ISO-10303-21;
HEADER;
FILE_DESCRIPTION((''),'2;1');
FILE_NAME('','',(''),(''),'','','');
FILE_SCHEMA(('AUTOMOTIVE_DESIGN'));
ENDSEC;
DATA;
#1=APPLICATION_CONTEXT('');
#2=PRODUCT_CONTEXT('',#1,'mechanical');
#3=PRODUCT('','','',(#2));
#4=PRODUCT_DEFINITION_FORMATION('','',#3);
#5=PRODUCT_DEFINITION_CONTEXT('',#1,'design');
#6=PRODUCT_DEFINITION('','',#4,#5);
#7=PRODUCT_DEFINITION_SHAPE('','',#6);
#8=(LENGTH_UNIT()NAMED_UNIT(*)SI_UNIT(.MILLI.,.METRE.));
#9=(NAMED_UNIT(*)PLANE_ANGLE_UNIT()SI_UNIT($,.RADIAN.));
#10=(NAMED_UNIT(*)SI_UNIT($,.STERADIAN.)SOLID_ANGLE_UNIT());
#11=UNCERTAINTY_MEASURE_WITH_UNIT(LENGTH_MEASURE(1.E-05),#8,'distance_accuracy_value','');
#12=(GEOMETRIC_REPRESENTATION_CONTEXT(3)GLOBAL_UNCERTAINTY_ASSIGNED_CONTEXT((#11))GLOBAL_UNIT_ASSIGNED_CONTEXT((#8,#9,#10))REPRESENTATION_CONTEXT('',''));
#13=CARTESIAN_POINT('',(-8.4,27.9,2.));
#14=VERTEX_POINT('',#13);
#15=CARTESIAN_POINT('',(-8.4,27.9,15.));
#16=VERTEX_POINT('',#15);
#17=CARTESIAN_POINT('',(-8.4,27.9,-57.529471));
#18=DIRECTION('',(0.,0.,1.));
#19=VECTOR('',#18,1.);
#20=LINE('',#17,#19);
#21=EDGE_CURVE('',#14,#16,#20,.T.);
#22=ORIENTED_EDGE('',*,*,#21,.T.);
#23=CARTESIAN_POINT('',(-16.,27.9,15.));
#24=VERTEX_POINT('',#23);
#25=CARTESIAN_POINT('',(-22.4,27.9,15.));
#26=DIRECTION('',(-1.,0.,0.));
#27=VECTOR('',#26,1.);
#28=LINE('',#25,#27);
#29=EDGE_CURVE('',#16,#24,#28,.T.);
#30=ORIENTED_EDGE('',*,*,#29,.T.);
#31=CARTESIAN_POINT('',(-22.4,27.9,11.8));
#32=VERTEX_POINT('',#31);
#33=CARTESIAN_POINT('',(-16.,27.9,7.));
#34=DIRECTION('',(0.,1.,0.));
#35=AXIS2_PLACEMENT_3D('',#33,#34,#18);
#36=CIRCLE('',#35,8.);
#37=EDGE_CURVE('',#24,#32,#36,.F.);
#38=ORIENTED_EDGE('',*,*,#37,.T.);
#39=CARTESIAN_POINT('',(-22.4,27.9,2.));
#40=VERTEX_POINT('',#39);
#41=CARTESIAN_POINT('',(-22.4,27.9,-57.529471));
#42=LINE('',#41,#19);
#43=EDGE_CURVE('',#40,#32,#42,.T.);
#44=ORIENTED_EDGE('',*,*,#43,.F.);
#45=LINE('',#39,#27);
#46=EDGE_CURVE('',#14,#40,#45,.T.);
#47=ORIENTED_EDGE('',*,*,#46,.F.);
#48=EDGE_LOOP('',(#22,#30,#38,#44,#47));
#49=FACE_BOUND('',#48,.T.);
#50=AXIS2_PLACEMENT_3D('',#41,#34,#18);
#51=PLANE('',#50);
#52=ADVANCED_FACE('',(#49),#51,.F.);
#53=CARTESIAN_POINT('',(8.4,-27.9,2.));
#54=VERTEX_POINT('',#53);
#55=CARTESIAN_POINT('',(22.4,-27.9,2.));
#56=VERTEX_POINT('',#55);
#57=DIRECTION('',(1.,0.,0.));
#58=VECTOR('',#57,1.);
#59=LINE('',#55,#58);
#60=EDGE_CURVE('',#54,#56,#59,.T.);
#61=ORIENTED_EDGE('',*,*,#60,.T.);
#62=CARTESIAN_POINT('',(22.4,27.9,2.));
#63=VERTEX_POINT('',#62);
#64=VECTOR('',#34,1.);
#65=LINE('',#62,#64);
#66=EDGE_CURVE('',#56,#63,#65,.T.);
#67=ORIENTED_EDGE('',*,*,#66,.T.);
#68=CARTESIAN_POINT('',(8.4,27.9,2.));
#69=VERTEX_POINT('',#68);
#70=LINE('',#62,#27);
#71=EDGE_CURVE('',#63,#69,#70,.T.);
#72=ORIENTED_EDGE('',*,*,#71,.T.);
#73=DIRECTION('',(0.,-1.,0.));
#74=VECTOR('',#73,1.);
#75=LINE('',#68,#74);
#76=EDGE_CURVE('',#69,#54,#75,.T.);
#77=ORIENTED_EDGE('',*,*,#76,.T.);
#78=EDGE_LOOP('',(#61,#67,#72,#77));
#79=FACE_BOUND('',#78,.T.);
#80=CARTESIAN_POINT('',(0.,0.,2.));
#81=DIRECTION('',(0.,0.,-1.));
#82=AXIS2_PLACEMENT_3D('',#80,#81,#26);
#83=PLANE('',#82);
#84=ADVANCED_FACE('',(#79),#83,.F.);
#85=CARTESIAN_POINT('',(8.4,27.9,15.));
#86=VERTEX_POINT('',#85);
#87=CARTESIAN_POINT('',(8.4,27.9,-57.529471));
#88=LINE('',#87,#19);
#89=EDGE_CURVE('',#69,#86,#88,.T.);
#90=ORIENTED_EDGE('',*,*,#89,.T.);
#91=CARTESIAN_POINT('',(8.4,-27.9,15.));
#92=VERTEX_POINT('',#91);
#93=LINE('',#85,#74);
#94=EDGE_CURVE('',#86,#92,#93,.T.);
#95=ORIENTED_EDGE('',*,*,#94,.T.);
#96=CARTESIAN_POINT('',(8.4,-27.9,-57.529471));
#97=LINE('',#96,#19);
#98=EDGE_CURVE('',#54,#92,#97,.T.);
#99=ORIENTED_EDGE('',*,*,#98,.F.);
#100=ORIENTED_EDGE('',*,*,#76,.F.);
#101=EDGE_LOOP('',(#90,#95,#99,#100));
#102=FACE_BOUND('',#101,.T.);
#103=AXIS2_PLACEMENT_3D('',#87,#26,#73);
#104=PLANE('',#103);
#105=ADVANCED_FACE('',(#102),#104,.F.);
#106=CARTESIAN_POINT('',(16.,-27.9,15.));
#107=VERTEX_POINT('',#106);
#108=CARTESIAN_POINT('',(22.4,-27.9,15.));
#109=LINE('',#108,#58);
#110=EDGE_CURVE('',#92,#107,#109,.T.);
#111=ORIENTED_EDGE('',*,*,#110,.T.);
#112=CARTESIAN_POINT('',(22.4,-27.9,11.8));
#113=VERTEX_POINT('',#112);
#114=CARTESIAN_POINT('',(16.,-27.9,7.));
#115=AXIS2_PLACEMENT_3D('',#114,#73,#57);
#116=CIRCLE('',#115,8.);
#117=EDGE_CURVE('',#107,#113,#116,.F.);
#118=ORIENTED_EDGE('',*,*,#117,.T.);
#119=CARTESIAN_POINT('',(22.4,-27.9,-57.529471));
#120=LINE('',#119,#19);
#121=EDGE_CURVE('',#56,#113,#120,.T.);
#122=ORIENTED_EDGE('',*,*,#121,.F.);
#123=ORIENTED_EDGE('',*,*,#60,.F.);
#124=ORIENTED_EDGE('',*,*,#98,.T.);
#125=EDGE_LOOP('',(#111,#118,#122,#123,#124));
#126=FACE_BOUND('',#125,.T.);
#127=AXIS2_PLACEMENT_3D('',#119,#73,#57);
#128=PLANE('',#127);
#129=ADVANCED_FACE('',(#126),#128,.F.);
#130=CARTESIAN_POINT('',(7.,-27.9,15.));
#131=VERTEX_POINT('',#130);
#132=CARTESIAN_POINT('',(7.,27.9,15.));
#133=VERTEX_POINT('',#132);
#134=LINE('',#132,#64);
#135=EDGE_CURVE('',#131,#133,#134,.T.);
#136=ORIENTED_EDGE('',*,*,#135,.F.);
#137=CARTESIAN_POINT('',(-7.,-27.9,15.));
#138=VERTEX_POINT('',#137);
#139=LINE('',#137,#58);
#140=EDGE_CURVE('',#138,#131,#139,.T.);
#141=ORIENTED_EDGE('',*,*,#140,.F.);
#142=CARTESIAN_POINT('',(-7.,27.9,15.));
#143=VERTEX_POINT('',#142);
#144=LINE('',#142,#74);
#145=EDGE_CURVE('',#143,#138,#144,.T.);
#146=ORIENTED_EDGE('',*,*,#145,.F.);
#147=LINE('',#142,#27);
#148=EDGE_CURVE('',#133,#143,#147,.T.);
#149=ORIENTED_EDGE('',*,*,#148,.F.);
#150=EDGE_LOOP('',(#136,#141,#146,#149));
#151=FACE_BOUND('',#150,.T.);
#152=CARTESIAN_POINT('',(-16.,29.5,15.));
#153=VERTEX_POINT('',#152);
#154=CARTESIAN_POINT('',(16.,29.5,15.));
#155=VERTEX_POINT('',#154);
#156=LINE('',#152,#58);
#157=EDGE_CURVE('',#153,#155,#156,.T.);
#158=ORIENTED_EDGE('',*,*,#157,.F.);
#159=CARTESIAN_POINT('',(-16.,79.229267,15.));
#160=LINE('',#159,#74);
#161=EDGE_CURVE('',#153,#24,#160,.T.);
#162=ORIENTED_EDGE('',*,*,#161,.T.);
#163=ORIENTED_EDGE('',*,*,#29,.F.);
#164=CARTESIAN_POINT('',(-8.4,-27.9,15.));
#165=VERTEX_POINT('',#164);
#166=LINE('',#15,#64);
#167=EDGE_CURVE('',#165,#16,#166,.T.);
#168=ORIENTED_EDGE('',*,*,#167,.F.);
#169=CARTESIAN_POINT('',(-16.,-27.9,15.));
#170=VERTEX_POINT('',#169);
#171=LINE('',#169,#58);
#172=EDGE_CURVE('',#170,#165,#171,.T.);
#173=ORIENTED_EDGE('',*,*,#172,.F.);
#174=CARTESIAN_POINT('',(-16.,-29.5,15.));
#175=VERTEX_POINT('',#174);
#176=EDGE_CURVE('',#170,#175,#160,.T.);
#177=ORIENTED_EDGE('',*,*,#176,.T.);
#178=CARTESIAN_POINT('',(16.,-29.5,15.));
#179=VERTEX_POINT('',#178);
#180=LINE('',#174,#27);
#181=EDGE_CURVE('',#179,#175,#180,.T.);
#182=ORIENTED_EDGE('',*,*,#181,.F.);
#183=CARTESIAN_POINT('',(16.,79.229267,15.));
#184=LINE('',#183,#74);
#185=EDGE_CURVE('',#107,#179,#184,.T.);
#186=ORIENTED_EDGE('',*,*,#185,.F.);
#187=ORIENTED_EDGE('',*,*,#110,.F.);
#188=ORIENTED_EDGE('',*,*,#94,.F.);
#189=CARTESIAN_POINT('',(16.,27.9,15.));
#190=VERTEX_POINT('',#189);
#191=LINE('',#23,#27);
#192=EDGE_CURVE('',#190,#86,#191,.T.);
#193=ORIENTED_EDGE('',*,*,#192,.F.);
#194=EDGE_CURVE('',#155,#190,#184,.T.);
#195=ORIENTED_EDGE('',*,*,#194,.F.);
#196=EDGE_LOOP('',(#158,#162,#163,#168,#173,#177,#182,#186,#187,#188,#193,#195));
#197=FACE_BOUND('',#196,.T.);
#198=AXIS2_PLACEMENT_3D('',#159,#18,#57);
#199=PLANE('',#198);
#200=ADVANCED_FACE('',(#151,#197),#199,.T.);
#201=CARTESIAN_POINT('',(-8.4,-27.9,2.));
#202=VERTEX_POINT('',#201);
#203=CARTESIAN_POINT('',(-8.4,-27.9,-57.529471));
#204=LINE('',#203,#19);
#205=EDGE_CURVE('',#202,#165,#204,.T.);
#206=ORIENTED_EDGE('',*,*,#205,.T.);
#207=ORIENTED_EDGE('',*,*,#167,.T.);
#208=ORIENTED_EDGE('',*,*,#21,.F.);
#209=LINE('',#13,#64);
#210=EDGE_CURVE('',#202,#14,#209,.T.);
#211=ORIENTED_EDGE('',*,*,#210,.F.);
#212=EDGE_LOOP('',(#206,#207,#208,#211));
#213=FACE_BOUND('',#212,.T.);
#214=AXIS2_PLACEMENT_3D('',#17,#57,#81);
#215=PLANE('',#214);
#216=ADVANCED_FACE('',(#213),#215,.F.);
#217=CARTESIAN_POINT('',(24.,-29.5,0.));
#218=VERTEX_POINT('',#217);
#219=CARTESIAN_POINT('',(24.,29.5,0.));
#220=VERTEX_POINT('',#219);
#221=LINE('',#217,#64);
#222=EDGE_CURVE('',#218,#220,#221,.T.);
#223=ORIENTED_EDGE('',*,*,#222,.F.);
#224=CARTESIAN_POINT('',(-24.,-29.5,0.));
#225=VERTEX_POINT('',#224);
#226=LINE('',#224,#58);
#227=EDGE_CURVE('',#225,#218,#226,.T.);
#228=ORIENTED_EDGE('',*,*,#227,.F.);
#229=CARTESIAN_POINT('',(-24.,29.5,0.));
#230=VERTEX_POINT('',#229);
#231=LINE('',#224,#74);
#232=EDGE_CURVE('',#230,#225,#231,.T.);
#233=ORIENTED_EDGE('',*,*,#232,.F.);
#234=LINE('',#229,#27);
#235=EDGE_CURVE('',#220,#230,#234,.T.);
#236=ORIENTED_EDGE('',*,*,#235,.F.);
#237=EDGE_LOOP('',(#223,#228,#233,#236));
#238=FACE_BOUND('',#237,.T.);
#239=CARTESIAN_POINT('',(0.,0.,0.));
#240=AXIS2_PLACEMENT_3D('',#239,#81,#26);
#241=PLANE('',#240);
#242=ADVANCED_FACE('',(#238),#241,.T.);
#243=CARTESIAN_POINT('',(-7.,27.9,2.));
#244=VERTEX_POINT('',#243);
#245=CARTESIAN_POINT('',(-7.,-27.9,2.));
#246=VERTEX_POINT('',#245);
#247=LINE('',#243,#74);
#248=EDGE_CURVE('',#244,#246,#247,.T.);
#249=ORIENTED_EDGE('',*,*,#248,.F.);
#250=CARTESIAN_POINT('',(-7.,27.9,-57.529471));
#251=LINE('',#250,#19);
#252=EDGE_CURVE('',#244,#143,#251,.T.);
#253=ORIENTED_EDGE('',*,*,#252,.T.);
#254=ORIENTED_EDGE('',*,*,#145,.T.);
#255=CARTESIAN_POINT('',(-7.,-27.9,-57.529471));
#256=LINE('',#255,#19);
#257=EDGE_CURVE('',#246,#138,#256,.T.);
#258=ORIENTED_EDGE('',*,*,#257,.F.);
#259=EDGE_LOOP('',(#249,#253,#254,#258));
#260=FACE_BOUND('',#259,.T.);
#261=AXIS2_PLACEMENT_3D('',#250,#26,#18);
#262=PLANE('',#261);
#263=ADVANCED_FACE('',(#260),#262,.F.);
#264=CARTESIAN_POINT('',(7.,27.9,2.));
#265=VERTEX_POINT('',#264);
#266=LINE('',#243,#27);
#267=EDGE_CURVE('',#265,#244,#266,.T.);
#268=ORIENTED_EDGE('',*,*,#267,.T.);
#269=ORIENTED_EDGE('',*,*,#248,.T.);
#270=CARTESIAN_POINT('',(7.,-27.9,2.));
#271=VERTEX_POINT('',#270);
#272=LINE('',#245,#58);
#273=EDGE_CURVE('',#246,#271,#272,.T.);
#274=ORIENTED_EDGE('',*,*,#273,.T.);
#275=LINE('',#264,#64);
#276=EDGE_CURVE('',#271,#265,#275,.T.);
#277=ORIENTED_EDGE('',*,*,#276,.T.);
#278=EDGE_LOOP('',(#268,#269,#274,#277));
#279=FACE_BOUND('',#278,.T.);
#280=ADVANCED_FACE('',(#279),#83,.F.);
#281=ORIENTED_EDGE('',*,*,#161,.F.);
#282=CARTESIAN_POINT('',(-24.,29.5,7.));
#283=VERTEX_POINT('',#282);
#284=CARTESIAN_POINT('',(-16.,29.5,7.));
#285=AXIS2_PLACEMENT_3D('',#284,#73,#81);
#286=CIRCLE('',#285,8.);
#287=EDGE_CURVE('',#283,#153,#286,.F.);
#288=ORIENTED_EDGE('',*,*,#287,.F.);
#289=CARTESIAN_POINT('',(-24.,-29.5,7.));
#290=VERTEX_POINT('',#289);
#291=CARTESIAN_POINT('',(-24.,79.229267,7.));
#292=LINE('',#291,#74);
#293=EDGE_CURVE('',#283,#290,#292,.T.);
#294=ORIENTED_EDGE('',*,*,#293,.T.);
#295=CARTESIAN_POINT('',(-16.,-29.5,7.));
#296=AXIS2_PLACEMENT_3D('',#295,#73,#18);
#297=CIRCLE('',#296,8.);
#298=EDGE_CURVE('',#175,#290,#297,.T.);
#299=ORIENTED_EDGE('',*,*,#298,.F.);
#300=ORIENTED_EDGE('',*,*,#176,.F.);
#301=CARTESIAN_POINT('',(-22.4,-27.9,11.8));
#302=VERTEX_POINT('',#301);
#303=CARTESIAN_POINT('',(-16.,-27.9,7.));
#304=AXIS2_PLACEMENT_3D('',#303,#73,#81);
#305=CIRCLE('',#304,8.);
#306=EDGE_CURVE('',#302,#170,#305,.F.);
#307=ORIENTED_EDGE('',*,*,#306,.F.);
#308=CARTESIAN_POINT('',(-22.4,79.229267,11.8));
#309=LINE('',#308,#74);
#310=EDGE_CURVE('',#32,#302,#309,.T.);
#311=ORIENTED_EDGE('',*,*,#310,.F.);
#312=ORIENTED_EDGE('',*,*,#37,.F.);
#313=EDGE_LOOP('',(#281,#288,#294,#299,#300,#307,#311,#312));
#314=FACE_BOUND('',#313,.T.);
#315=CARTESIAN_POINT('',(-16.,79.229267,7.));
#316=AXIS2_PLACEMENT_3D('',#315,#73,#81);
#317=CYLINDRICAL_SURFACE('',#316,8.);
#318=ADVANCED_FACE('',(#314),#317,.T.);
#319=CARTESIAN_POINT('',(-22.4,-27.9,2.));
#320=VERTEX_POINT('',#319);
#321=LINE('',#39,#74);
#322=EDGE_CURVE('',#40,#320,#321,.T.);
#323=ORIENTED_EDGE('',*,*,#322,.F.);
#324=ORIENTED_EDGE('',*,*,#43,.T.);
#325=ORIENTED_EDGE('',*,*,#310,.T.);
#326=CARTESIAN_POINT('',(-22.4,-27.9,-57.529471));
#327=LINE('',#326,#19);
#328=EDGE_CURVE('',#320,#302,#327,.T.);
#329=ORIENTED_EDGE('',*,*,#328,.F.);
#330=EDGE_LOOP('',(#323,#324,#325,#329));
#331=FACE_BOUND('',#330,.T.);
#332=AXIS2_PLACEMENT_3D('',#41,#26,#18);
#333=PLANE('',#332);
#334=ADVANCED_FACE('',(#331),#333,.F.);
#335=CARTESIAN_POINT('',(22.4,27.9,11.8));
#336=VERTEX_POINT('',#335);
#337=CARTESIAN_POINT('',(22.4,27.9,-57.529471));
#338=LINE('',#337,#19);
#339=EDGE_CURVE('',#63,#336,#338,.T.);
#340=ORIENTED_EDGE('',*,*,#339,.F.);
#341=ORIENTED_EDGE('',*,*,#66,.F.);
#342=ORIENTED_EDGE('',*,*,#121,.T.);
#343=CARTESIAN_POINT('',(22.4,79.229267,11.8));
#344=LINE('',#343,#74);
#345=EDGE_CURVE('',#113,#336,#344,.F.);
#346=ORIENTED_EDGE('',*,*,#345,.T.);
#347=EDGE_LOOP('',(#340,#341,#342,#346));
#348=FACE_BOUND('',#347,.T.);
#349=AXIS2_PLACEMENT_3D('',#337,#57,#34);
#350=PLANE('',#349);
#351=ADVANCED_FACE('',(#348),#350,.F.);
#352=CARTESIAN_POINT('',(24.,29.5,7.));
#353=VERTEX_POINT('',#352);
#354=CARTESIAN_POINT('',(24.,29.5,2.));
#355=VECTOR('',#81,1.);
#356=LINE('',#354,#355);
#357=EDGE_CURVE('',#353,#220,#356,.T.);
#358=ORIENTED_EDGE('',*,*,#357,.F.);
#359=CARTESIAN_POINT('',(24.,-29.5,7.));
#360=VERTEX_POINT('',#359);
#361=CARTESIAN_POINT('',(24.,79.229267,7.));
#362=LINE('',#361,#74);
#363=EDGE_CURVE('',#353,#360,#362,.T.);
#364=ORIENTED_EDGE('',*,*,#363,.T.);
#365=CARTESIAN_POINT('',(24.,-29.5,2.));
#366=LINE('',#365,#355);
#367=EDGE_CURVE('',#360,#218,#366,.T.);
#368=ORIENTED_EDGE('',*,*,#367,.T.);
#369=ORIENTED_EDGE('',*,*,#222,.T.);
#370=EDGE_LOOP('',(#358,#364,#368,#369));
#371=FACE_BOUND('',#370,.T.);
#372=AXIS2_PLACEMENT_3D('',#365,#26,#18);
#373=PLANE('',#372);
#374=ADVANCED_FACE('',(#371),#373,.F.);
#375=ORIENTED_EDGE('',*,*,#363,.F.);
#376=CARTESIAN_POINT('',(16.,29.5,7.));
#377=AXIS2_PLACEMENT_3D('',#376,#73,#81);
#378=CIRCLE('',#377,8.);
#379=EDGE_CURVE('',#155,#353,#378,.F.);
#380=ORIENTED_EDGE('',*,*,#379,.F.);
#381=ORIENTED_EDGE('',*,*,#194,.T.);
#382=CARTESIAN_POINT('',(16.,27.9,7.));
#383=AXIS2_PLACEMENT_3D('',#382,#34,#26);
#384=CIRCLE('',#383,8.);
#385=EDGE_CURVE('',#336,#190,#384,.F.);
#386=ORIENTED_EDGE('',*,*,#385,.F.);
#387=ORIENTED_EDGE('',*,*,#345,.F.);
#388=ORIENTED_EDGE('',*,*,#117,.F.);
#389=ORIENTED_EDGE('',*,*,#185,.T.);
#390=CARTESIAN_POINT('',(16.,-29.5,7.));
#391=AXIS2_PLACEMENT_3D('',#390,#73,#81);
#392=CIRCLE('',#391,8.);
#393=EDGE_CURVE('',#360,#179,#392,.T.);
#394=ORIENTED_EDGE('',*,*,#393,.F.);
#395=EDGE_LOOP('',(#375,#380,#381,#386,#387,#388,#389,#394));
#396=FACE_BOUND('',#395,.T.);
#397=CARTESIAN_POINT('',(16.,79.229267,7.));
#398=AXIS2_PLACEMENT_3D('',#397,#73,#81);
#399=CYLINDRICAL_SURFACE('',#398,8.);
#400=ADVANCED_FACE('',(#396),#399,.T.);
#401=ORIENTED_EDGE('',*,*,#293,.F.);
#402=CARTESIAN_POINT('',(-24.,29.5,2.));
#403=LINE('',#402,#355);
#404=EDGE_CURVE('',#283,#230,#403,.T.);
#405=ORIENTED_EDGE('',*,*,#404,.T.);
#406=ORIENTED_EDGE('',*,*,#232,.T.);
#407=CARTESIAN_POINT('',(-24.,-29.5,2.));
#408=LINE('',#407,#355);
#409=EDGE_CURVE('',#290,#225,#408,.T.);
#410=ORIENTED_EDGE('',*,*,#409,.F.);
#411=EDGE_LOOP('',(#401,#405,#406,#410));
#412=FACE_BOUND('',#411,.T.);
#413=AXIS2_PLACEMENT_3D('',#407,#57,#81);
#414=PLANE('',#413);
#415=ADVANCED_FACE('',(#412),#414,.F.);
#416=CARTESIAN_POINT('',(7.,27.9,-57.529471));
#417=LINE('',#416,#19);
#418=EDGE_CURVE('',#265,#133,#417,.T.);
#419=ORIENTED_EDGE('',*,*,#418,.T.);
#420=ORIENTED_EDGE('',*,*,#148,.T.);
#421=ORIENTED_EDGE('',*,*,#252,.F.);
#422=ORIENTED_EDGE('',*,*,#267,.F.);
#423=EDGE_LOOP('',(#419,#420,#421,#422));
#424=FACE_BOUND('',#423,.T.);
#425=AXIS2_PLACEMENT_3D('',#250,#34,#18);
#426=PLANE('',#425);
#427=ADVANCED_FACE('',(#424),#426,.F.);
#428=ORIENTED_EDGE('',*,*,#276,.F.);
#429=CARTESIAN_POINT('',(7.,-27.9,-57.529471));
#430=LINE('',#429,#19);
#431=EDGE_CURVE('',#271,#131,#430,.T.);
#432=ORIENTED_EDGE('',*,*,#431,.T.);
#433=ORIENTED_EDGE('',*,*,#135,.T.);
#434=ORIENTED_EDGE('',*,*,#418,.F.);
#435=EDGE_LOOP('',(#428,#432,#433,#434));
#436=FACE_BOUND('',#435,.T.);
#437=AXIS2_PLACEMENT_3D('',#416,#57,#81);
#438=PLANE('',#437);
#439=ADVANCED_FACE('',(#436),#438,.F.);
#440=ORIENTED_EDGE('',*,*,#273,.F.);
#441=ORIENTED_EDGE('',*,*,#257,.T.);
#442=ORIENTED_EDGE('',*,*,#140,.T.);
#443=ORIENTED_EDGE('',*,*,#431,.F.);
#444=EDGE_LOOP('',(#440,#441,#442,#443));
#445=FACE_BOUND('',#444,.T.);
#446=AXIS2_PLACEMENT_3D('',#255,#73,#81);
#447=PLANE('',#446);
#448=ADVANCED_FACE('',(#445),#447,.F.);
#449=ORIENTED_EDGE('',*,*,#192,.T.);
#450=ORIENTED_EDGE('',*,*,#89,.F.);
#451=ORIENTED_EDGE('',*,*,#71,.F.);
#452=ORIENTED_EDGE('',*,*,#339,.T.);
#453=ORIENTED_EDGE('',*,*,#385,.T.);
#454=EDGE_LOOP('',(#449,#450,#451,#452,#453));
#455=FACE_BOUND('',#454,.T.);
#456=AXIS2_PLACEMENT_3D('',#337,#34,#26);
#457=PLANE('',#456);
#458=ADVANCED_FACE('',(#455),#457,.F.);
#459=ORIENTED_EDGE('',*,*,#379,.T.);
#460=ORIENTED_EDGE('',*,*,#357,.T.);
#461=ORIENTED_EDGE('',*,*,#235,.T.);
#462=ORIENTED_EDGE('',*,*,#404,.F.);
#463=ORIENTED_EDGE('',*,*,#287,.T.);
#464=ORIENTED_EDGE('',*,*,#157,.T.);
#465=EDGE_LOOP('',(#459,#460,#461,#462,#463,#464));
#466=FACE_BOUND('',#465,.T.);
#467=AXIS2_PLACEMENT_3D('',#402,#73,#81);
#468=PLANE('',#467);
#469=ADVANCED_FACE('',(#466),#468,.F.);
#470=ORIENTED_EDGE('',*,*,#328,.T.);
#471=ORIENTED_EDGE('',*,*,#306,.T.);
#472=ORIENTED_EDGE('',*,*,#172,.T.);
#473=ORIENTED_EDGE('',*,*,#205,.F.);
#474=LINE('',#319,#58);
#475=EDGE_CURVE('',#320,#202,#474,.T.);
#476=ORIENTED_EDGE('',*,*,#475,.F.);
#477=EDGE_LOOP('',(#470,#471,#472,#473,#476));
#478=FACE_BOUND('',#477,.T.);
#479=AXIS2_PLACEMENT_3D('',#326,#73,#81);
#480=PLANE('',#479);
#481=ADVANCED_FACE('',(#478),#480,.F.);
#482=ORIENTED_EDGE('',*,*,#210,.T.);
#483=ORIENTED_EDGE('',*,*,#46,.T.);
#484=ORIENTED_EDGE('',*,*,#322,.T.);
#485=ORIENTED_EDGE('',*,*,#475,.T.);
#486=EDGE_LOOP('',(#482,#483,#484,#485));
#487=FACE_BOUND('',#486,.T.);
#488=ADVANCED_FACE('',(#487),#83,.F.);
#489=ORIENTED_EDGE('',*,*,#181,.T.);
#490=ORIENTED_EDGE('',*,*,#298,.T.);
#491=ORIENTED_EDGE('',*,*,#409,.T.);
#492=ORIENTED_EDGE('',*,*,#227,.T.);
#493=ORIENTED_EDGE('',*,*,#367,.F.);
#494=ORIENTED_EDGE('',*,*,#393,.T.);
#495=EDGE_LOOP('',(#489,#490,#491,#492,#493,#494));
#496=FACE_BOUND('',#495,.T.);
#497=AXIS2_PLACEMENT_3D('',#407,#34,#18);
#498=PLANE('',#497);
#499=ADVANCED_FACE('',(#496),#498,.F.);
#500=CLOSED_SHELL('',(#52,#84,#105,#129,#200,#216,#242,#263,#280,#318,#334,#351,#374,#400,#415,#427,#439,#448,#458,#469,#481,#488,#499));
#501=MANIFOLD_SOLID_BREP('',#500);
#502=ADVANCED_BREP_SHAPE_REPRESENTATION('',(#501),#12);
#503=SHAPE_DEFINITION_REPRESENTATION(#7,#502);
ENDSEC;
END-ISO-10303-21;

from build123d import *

# Parameters (mm, degrees)
SKETCH1_W           = 48
SKETCH1_H           = 59
BOSS_EXTRUDE1_DEPTH = 2
BOSS_EXTRUDE2_DEPTH = 59
SKETCH3_W           = 14
SKETCH3_H           = 55.8
CUT_EXTRUDE1_DEPTH  = 13


with BuildPart() as part:
    # Sketch1 → Boss-Extrude1 (new body)
    with BuildSketch(Plane.XY):
        Rectangle(SKETCH1_W, SKETCH1_H)
    extrude(amount=BOSS_EXTRUDE1_DEPTH)

    # Sketch2 → Boss-Extrude2 (add)
    with BuildSketch(Plane.XZ.offset(29.5)):
        with BuildLine():
            Line((-16, 15), (16, 15))
            ThreePointArc((16, 15), (21.656854249, 12.656854249), (24, 7))
            Line((24, 7), (24, 2))
            Line((24, 2), (-24, 2))
            Line((-24, 2), (-24, 7))
            ThreePointArc((-24, 7), (-21.656854249, 12.656854249), (-16, 15))
        make_face()
    extrude(amount=-BOSS_EXTRUDE2_DEPTH)

    # Sketch3 → Cut-Extrude1 (cut)
    with BuildSketch(Plane.XY.offset(15)):
        Rectangle(SKETCH3_W, SKETCH3_H)
        with Locations((15.4, 0)):
            Rectangle(SKETCH3_W, SKETCH3_H)
        with Locations((-15.4, 0)):
            Rectangle(SKETCH3_W, SKETCH3_H)
    extrude(amount=-CUT_EXTRUDE1_DEPTH, mode=Mode.SUBTRACT)


solid = part.part
